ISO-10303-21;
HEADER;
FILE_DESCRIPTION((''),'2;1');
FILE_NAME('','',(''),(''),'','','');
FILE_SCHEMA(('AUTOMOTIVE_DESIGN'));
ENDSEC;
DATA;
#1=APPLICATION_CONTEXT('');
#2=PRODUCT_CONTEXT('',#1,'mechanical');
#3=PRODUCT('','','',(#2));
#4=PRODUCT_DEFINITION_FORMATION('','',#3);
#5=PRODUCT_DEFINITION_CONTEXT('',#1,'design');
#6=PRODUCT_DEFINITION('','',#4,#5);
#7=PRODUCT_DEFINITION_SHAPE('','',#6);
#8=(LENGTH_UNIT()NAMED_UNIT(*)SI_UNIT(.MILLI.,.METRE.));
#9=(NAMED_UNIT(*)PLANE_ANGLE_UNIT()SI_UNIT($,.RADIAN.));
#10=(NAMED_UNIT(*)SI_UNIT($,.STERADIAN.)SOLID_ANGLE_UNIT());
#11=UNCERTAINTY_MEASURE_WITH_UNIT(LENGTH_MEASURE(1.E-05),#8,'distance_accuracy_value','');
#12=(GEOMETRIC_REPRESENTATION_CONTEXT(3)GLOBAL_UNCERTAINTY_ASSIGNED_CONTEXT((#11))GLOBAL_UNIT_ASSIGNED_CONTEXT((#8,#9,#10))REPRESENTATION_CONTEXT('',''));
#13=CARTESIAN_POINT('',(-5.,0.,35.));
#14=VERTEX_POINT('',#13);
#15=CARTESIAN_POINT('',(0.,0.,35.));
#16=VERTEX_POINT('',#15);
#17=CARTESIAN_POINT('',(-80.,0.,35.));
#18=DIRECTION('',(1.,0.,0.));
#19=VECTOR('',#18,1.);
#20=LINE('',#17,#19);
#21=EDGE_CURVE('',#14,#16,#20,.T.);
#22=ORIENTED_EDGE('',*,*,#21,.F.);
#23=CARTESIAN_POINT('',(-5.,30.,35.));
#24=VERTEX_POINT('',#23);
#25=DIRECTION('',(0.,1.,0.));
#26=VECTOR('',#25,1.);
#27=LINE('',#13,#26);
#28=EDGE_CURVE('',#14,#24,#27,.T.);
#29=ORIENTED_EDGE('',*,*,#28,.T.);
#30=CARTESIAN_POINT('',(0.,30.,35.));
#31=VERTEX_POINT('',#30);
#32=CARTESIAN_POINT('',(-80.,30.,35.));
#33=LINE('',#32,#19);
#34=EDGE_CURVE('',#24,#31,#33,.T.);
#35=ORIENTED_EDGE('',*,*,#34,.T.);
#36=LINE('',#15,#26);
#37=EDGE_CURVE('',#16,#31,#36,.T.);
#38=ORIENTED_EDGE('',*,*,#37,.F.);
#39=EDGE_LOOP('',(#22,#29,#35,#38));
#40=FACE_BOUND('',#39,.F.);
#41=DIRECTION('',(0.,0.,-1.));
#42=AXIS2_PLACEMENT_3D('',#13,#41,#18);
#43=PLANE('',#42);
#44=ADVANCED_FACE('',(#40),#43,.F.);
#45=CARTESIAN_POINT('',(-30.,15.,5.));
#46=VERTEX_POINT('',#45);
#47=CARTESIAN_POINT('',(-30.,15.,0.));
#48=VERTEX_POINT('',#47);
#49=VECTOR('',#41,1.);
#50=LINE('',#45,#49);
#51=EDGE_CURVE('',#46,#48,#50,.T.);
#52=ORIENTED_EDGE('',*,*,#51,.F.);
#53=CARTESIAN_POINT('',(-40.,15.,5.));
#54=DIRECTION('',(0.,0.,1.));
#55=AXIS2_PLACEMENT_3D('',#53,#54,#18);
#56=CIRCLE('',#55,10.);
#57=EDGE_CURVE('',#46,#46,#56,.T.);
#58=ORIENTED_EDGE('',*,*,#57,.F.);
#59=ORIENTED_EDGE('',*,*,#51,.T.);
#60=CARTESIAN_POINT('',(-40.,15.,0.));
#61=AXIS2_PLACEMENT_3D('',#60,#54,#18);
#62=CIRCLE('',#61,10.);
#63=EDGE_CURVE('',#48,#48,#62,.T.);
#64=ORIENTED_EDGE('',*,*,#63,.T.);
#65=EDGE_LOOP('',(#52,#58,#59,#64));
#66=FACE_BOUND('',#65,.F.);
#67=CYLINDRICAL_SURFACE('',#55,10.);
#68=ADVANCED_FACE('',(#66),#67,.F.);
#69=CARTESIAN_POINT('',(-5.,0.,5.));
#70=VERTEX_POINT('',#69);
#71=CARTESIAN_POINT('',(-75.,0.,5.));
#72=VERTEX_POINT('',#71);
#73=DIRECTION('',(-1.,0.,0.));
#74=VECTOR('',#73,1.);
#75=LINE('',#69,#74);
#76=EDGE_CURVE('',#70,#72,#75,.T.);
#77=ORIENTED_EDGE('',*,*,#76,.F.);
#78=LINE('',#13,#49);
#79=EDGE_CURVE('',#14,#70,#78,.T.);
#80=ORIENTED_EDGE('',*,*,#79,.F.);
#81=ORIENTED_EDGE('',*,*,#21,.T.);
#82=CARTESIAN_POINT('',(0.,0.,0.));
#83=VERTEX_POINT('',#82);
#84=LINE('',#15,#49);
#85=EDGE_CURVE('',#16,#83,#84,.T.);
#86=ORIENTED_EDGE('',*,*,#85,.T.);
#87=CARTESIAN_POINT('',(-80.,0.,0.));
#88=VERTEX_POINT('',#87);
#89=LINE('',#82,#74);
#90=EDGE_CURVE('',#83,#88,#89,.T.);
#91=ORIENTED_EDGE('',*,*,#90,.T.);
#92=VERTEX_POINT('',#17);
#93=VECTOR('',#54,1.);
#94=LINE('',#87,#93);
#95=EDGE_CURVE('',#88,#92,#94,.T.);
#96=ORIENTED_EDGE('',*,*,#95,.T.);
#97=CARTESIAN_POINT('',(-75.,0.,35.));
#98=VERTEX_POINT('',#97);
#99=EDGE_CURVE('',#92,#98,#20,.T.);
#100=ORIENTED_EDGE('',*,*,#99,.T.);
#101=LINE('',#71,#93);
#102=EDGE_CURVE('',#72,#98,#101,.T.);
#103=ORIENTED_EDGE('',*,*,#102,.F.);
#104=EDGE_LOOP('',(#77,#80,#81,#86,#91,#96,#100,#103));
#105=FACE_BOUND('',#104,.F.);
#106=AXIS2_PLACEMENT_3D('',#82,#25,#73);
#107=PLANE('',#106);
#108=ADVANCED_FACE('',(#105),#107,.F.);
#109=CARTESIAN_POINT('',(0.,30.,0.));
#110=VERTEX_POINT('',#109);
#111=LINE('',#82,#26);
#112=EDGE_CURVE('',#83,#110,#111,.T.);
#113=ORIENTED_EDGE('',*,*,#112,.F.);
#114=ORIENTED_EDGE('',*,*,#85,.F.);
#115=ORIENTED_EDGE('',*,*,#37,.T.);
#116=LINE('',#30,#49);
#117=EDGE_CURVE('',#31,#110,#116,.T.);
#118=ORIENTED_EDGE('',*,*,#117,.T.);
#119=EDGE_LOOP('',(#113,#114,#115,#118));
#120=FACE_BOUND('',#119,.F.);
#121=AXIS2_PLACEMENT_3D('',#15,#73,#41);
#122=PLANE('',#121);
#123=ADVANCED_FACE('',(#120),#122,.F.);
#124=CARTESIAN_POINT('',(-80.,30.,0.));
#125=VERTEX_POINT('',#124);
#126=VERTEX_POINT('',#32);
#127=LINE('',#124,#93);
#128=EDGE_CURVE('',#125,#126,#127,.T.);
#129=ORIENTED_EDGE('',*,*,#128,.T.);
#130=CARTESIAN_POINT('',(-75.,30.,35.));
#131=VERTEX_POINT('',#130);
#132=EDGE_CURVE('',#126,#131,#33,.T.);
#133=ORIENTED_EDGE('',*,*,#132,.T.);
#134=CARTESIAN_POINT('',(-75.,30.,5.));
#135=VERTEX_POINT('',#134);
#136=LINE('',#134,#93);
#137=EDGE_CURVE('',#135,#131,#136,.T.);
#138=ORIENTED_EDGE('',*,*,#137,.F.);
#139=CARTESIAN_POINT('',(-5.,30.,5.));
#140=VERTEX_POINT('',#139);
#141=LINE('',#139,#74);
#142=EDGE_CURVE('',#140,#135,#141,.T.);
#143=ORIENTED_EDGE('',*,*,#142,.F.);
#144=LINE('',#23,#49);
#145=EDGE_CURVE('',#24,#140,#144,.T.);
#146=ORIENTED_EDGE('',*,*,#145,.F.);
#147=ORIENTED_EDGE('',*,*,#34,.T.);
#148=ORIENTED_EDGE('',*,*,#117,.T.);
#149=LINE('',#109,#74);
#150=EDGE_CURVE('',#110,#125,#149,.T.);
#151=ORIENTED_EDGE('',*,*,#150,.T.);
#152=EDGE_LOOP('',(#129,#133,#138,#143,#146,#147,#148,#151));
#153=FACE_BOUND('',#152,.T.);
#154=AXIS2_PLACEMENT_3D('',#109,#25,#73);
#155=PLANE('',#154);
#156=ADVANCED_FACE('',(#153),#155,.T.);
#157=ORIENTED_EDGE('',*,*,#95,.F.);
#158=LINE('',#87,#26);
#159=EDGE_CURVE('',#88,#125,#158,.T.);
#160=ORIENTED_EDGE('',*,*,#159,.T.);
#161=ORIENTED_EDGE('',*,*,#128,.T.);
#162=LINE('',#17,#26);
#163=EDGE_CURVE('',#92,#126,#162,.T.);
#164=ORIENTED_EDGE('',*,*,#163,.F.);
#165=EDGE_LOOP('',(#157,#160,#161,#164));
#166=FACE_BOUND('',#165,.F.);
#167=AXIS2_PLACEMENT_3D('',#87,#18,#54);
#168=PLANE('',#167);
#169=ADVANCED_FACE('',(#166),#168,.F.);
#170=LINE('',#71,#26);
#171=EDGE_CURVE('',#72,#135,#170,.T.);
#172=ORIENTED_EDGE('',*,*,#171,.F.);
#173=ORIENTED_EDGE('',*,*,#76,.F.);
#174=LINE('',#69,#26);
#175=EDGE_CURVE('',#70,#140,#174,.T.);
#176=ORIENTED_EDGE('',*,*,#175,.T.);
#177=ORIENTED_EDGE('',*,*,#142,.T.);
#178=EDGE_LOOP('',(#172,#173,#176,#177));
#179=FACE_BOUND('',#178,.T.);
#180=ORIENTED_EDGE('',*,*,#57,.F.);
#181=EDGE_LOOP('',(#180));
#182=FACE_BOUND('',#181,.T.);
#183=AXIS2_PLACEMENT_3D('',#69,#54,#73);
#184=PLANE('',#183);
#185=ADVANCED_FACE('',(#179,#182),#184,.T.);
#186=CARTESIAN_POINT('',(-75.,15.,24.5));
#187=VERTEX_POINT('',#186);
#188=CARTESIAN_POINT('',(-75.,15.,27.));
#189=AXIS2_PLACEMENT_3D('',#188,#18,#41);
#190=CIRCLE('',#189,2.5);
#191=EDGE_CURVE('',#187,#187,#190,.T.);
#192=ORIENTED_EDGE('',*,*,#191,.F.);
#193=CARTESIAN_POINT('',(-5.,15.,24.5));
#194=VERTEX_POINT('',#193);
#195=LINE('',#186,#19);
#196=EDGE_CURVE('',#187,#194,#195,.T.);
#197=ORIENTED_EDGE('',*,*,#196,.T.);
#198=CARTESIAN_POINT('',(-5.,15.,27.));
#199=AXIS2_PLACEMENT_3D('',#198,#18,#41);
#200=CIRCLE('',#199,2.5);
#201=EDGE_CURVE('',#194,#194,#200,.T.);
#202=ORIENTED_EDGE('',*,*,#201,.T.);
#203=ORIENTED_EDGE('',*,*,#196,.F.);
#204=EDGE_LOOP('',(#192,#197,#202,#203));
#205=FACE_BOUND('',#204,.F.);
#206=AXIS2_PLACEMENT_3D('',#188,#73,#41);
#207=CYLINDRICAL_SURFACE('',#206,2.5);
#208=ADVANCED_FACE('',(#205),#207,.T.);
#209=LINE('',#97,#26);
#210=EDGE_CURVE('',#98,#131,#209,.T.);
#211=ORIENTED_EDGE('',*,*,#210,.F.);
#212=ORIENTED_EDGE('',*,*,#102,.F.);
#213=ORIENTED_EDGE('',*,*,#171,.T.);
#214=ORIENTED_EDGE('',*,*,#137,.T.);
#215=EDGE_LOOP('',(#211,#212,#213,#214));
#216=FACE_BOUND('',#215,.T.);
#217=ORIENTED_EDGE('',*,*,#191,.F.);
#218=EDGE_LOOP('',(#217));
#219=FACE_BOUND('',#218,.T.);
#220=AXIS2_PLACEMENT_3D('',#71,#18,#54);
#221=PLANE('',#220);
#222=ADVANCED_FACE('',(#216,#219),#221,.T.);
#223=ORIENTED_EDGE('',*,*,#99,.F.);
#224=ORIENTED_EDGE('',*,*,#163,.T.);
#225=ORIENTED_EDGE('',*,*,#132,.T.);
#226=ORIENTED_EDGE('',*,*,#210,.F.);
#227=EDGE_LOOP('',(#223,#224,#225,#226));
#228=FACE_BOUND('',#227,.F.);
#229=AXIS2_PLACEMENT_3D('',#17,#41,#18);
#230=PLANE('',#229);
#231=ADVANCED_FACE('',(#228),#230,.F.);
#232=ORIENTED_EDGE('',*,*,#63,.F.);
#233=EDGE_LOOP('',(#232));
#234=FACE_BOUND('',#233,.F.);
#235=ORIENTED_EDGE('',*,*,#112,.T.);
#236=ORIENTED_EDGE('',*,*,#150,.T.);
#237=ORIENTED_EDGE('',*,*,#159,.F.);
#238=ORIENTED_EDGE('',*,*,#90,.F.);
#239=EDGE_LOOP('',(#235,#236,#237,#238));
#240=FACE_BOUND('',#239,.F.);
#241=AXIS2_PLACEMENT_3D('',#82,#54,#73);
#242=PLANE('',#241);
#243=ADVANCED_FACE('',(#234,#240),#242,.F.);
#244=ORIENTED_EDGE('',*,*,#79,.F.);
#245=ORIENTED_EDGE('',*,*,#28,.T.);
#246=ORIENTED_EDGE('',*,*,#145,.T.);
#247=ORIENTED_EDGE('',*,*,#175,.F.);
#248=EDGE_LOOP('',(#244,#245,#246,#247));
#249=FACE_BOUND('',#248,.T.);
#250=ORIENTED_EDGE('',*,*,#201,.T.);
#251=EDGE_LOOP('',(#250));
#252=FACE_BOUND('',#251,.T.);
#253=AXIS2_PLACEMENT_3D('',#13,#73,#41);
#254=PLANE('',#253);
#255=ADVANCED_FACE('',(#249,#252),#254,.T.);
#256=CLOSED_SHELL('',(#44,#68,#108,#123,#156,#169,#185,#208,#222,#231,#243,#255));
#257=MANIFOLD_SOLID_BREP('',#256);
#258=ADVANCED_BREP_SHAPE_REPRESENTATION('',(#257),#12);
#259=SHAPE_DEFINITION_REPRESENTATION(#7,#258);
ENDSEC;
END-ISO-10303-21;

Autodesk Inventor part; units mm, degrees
ref_plane "YZ Plane" through (0, 0, 0) normal (1, 0, 0) x (0, 1, 0)
ref_plane "XZ Plane" through (0, 0, 0) normal (0, 1, 0) x (-1, 0, 0)
ref_plane "XY Plane" through (0, 0, 0) normal (0, 0, 1) x (1, 0, 0)
sketch "Boceto1" plane through (0, 0, 0) normal (0, 1, 0) x (-1, 0, 0)
  line L0 (0, 0) -> (80, 0)
  line L1 (80, 0) -> (80, 35)
  line L2 (80, 35) -> (0, 35)
  line L3 (0, 35) -> (0, 0)
  line L4 (75, 35) -> (5, 35)
  line L5 (5, 35) -> (5, 5)
  line L6 (5, 5) -> (75, 5)
  line L7 (75, 5) -> (75, 35)
  dimension "d0" = 80
  dimension "d1" = 35
  dimension "d2" = 70
  dimension "d3" = 30
  dimension "d14" = 5
extrude "Extrusión1" add sketch "Boceto1" along normal blind 30 contours L3 L2 L5 L6 L7 L1 L0
sketch "Boceto2" plane through (-75, 0, 5) normal (0, 0, 1) x (1, 0, 0)
  circle A0 centre (35, 15) radius 10
  point P0 (75, 0)
  dimension "d6" = 20
extrude "Extrusión2" cut sketch "Boceto2" against normal blind 30
sketch "Boceto3" plane through (-75, 0, 5) normal (1, 0, 0) x (0, 0, -1)
  circle A0 centre (-22, 15) radius 2.5
  line L0 (-30, 0) -> (-30, 30) projected
  line L1 (-30, 30) -> (0, 30) projected
  point P0 (5, 0)
  dimension "d9" = 5
  dimension "d12" = 8
  dimension "d13" = 15
extrude "Extrusión3" add sketch "Boceto3" along normal blind 70
properties part number "encaje"
